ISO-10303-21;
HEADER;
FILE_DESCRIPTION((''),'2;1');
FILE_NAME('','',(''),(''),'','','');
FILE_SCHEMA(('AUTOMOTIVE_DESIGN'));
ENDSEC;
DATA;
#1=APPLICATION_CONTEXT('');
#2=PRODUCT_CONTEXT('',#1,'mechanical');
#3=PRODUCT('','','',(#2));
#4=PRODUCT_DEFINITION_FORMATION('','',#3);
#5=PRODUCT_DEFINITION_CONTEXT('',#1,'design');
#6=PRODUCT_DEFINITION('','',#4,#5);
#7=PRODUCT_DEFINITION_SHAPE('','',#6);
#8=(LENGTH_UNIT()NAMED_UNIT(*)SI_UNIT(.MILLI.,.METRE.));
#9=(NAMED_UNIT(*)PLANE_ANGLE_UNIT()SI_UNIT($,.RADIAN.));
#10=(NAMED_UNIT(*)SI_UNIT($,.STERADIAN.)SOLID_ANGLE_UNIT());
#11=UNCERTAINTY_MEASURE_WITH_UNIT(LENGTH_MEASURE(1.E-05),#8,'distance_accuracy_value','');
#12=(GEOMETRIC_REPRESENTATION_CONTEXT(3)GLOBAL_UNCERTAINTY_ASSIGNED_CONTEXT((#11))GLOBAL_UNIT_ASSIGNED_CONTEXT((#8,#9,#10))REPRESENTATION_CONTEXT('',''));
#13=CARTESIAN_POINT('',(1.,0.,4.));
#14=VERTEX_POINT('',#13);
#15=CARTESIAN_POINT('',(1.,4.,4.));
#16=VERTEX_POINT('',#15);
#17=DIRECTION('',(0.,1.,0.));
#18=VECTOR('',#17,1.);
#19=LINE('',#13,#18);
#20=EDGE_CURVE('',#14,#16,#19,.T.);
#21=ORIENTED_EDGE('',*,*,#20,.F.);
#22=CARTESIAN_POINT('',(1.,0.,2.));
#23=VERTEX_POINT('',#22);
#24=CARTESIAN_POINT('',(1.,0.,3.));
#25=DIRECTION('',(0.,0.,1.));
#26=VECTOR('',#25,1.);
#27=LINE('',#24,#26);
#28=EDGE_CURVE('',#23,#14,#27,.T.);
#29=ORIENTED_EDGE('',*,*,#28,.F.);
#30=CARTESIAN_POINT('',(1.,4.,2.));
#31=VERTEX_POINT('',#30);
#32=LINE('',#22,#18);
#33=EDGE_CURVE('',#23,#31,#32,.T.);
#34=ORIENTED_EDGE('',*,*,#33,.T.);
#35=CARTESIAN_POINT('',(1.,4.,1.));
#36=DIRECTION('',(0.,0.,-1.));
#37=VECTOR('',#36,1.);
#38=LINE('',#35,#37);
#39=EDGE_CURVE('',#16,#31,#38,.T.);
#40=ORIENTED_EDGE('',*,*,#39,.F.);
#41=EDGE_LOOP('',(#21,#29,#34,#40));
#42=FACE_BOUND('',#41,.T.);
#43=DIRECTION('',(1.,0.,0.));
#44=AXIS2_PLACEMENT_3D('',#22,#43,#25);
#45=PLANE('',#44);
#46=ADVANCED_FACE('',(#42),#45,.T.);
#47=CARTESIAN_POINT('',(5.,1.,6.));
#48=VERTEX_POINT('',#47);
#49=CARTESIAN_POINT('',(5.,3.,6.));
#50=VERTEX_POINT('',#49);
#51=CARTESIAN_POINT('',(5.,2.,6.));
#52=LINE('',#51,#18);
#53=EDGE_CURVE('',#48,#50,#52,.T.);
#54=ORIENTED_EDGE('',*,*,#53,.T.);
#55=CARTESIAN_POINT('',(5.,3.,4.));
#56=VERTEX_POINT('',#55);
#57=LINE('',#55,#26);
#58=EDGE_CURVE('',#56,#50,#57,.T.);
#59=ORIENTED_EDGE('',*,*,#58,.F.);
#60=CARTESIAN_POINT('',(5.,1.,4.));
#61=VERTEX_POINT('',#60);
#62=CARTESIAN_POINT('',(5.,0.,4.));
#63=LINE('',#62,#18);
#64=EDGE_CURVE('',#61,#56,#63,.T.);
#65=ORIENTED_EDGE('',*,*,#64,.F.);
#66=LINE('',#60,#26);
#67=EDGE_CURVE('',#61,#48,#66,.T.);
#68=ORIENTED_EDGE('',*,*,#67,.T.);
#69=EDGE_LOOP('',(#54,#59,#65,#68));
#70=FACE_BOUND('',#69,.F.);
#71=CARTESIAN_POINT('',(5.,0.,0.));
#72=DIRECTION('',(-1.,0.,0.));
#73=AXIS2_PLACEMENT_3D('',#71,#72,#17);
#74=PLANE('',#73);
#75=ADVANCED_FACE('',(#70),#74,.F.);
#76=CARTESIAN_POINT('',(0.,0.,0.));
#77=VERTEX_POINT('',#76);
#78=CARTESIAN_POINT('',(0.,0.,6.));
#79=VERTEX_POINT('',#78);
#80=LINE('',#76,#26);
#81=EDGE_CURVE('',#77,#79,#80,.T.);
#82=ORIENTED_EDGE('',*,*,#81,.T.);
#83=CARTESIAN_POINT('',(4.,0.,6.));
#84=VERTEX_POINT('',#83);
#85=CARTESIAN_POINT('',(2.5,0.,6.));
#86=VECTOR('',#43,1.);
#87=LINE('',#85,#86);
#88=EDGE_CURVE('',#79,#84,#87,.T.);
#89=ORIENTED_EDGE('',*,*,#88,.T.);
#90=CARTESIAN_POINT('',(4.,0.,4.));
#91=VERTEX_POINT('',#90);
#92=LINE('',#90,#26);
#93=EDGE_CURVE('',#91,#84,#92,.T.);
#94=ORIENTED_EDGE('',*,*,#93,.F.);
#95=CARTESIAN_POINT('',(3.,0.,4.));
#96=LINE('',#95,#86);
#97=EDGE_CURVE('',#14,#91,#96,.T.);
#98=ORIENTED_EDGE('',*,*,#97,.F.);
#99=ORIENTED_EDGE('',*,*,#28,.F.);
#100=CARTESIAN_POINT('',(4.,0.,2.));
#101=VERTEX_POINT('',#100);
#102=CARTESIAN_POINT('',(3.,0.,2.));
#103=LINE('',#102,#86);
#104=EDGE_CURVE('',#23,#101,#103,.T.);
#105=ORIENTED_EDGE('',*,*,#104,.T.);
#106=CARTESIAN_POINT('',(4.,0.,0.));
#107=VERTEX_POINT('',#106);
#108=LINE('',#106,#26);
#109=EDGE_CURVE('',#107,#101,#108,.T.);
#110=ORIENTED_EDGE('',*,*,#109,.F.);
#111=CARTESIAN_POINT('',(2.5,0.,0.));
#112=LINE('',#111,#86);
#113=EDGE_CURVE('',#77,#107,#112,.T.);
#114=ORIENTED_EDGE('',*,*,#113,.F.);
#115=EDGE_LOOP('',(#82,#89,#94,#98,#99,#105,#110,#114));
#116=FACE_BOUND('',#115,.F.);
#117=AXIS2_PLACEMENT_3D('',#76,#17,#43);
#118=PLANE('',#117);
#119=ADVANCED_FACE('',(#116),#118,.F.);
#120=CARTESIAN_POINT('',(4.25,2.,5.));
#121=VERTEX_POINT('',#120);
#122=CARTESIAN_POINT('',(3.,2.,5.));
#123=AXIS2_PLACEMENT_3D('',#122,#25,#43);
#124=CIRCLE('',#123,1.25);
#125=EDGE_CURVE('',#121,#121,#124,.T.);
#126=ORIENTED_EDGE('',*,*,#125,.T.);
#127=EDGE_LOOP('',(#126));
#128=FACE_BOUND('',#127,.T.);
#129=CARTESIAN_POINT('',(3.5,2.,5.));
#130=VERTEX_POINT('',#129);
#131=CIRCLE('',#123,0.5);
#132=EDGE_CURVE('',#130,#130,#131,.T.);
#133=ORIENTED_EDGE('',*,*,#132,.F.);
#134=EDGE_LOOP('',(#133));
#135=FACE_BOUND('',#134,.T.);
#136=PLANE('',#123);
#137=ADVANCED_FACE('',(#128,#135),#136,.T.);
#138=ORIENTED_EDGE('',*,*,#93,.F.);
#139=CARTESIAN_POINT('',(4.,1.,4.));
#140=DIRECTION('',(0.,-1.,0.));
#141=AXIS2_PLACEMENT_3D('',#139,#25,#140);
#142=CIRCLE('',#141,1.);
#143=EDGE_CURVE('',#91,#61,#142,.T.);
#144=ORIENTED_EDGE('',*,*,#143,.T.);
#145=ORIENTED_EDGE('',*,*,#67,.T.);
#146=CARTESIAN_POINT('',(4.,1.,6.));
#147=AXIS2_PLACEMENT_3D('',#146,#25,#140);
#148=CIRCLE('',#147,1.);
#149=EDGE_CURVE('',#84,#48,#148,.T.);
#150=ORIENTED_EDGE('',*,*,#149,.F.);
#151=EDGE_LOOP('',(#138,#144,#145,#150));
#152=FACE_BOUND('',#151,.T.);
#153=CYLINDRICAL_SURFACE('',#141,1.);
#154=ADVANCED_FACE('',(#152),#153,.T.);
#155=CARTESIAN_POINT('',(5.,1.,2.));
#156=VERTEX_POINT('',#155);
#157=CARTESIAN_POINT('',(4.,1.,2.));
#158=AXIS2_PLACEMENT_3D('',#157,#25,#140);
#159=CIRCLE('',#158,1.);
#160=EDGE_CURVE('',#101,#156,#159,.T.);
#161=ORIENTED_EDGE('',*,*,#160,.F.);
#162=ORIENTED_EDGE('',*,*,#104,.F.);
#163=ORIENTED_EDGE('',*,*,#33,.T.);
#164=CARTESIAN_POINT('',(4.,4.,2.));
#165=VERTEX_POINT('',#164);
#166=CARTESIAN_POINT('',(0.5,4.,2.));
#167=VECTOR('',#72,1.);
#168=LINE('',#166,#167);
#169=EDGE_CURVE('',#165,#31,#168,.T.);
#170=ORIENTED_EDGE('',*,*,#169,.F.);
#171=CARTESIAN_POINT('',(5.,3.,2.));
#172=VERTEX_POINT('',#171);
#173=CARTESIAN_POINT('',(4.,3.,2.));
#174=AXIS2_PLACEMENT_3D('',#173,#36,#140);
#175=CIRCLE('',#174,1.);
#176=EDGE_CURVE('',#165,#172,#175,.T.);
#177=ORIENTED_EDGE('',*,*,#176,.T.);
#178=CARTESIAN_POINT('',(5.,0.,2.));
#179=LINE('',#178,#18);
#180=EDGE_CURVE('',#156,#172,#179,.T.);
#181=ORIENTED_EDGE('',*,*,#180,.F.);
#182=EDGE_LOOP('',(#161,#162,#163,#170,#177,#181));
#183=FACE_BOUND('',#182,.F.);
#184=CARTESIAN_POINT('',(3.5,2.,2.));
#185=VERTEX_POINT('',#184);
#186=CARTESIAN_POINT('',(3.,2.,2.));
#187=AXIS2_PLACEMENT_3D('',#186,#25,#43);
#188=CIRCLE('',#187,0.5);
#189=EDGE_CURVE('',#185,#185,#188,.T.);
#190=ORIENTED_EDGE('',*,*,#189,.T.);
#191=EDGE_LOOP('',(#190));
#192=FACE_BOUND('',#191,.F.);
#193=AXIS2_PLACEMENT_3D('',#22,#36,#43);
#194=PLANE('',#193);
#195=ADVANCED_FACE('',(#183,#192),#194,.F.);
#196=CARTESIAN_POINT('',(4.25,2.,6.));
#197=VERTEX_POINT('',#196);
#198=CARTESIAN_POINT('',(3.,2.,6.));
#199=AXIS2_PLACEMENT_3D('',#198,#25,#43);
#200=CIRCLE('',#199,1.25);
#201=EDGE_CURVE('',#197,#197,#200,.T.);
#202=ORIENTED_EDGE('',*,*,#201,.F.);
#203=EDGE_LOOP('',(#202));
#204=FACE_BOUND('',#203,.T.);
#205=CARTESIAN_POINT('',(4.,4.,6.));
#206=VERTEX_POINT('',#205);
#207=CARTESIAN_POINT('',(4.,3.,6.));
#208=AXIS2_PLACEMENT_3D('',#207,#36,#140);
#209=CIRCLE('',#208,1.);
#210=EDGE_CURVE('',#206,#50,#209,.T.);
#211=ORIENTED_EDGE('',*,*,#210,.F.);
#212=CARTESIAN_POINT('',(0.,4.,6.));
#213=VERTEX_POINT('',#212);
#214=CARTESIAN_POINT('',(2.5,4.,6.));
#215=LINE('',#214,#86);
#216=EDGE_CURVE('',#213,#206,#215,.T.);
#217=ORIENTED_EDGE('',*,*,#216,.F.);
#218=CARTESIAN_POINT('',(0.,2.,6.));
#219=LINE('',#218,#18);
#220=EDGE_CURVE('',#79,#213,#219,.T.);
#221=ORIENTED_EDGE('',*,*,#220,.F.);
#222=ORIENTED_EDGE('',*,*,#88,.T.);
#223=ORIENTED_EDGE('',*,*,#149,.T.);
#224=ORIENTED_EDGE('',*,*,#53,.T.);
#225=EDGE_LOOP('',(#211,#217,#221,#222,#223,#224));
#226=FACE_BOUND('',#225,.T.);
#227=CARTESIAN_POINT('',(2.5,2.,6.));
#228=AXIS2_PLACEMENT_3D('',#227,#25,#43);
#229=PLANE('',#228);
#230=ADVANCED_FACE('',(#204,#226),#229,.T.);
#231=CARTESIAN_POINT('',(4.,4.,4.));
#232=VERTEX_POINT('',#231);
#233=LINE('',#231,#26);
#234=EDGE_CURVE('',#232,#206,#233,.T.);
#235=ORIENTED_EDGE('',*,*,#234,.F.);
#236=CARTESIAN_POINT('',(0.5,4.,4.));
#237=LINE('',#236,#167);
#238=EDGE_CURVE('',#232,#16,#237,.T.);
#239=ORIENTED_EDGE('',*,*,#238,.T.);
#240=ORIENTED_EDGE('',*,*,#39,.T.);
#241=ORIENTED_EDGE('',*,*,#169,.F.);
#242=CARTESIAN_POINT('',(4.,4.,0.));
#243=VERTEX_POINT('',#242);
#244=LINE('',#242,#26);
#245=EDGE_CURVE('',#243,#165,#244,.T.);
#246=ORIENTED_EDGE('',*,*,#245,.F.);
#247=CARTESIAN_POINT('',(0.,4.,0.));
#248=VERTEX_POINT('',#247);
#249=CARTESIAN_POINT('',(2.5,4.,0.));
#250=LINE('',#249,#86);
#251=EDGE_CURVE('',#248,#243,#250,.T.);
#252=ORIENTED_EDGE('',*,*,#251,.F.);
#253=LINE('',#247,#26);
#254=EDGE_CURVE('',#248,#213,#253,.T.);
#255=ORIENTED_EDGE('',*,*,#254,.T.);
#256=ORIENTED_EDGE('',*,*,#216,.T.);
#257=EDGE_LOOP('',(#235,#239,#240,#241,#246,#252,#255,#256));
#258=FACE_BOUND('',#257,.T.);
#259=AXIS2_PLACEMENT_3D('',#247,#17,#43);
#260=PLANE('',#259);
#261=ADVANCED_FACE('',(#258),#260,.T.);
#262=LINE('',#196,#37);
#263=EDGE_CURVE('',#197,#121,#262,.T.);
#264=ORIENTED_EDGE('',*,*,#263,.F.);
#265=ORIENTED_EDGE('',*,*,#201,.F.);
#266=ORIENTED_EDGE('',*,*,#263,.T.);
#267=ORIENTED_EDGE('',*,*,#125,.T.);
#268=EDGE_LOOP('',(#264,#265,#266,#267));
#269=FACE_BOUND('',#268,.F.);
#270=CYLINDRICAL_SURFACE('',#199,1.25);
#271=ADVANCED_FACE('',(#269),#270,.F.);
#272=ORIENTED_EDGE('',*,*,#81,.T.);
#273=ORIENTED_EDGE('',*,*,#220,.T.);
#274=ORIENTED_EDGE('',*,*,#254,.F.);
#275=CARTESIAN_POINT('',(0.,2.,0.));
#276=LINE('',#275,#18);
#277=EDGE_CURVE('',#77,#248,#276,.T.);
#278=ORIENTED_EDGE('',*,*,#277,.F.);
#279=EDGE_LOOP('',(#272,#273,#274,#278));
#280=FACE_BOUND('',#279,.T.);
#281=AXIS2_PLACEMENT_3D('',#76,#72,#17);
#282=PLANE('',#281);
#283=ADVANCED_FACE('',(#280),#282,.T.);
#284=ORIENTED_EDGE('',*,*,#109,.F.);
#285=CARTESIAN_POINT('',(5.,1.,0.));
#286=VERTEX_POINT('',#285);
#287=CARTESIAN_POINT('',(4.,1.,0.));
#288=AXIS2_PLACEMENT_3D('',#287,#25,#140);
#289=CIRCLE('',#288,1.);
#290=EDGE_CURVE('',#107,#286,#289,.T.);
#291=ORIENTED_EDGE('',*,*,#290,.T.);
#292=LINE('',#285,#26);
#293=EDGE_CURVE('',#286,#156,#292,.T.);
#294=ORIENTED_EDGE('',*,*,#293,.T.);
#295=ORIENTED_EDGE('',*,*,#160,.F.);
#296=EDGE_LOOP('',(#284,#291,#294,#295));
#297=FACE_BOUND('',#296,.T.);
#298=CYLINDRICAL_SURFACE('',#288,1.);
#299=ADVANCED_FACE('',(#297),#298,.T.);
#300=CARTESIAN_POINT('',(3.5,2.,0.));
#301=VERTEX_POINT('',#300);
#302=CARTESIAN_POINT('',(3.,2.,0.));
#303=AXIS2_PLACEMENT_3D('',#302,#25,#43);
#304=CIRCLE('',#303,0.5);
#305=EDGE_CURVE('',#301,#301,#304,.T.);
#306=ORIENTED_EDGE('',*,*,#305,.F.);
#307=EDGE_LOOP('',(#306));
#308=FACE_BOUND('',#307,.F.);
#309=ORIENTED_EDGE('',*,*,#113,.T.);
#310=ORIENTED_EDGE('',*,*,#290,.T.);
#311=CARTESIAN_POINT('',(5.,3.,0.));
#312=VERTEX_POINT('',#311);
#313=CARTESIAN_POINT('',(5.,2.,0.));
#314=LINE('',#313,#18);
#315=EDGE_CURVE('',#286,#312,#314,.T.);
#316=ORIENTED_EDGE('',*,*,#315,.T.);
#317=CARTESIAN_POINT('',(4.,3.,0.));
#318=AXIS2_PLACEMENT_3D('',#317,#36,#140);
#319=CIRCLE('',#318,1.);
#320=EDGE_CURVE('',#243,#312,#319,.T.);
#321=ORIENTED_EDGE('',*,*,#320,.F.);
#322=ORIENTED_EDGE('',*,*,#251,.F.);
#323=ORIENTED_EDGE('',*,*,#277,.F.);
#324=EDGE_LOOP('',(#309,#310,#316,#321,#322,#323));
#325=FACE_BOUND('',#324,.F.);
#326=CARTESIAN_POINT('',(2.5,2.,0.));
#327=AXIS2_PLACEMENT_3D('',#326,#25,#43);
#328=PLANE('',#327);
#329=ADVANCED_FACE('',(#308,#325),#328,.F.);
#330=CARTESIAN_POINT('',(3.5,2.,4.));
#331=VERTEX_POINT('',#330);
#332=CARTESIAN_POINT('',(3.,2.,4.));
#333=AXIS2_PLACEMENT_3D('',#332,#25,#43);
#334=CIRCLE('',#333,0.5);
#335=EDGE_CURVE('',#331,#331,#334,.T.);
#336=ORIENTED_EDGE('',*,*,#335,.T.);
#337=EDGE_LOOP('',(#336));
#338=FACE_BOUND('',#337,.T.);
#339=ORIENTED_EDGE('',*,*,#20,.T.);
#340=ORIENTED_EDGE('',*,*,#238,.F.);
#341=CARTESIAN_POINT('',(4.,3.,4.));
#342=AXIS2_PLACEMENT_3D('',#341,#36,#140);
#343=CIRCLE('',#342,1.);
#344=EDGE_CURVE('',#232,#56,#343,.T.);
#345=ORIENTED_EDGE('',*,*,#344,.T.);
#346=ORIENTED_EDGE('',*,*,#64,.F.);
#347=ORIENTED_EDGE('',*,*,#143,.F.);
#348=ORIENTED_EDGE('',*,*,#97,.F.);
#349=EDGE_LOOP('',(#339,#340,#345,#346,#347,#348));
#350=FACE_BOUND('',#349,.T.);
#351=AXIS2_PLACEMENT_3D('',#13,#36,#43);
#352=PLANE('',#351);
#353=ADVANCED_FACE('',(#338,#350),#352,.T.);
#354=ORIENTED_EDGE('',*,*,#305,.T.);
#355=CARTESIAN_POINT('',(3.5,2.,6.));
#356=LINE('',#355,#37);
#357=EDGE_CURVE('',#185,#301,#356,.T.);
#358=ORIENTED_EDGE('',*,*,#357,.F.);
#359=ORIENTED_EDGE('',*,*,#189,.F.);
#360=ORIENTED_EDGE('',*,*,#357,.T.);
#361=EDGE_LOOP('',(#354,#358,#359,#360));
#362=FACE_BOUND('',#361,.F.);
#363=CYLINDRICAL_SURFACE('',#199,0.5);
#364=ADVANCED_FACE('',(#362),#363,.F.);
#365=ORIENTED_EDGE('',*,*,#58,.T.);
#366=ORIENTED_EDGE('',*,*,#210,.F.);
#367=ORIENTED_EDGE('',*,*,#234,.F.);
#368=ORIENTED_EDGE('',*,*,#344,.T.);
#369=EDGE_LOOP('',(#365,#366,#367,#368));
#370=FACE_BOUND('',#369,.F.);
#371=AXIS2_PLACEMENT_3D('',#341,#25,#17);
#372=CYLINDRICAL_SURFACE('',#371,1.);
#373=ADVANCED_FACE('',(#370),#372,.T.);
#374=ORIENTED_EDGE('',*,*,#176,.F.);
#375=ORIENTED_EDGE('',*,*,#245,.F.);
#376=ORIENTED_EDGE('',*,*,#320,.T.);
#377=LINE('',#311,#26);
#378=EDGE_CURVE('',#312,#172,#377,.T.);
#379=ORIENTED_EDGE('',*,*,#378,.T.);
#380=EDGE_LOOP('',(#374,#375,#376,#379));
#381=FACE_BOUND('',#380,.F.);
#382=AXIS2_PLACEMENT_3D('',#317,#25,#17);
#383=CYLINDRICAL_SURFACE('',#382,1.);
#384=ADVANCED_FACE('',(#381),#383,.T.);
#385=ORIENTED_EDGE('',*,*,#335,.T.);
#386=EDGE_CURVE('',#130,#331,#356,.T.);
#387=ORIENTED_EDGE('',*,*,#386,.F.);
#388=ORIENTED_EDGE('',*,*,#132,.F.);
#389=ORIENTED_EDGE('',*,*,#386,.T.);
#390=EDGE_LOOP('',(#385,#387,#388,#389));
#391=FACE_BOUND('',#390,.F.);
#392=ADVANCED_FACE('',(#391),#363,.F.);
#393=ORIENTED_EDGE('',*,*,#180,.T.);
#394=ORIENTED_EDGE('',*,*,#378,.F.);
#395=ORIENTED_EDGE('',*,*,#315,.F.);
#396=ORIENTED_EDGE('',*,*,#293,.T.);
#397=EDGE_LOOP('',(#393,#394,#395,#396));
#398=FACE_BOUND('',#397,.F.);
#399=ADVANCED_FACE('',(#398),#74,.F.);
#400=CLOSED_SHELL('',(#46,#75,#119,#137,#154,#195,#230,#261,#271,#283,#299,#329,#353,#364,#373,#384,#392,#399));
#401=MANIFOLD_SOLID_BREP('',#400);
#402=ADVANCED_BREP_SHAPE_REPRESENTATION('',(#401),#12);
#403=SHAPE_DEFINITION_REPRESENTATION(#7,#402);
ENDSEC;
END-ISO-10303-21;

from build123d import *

# Parameters (mm, degrees)
F0_W     = 5
F0_H     = 4
F1_DEPTH = 6
F2_W     = 4
F2_H     = 2
F3_DEPTH = 25
F4_R     = 0.5
F5_DEPTH = 25
F6_R     = 1.25
F6_R_2   = 0.5
F7_DEPTH = 1
F8_R     = 1


with BuildPart() as f1:
    # F0 (on Top) → F1 (new body)
    with BuildSketch(Plane.XY):
        with Locations((2.5, 2)):
            Rectangle(F0_W, F0_H)
    extrude(amount=F1_DEPTH)

    # F2 (on face) → F3 (cut)
    with BuildSketch(Plane.XZ):
        with Locations((3, 3)):
            Rectangle(F2_W, F2_H)
    extrude(amount=-F3_DEPTH, mode=Mode.SUBTRACT)

    # F4 (on face) → F5 (cut)
    with BuildSketch(Plane.XY.offset(6)):
        with Locations((3, 2)):
            Circle(F4_R)
    extrude(amount=-F5_DEPTH, mode=Mode.SUBTRACT)

    # F6 (on face) → F7 (cut)
    with BuildSketch(Plane.XY.offset(6)):
        with Locations((3, 2)):
            Circle(F6_R)
        with Locations((3, 2)):
            Circle(F6_R_2, mode=Mode.SUBTRACT)
    extrude(amount=-F7_DEPTH, mode=Mode.SUBTRACT)

    # F8
    f8_edges = [f1.edges().sort_by_distance(p)[0] for p in [
        (5, 0, 1),
        (5, 0, 5),
        (5, 4, 5),
        (5, 4, 1),
    ]]
    fillet(f8_edges, radius=F8_R)


solid = f1.part
